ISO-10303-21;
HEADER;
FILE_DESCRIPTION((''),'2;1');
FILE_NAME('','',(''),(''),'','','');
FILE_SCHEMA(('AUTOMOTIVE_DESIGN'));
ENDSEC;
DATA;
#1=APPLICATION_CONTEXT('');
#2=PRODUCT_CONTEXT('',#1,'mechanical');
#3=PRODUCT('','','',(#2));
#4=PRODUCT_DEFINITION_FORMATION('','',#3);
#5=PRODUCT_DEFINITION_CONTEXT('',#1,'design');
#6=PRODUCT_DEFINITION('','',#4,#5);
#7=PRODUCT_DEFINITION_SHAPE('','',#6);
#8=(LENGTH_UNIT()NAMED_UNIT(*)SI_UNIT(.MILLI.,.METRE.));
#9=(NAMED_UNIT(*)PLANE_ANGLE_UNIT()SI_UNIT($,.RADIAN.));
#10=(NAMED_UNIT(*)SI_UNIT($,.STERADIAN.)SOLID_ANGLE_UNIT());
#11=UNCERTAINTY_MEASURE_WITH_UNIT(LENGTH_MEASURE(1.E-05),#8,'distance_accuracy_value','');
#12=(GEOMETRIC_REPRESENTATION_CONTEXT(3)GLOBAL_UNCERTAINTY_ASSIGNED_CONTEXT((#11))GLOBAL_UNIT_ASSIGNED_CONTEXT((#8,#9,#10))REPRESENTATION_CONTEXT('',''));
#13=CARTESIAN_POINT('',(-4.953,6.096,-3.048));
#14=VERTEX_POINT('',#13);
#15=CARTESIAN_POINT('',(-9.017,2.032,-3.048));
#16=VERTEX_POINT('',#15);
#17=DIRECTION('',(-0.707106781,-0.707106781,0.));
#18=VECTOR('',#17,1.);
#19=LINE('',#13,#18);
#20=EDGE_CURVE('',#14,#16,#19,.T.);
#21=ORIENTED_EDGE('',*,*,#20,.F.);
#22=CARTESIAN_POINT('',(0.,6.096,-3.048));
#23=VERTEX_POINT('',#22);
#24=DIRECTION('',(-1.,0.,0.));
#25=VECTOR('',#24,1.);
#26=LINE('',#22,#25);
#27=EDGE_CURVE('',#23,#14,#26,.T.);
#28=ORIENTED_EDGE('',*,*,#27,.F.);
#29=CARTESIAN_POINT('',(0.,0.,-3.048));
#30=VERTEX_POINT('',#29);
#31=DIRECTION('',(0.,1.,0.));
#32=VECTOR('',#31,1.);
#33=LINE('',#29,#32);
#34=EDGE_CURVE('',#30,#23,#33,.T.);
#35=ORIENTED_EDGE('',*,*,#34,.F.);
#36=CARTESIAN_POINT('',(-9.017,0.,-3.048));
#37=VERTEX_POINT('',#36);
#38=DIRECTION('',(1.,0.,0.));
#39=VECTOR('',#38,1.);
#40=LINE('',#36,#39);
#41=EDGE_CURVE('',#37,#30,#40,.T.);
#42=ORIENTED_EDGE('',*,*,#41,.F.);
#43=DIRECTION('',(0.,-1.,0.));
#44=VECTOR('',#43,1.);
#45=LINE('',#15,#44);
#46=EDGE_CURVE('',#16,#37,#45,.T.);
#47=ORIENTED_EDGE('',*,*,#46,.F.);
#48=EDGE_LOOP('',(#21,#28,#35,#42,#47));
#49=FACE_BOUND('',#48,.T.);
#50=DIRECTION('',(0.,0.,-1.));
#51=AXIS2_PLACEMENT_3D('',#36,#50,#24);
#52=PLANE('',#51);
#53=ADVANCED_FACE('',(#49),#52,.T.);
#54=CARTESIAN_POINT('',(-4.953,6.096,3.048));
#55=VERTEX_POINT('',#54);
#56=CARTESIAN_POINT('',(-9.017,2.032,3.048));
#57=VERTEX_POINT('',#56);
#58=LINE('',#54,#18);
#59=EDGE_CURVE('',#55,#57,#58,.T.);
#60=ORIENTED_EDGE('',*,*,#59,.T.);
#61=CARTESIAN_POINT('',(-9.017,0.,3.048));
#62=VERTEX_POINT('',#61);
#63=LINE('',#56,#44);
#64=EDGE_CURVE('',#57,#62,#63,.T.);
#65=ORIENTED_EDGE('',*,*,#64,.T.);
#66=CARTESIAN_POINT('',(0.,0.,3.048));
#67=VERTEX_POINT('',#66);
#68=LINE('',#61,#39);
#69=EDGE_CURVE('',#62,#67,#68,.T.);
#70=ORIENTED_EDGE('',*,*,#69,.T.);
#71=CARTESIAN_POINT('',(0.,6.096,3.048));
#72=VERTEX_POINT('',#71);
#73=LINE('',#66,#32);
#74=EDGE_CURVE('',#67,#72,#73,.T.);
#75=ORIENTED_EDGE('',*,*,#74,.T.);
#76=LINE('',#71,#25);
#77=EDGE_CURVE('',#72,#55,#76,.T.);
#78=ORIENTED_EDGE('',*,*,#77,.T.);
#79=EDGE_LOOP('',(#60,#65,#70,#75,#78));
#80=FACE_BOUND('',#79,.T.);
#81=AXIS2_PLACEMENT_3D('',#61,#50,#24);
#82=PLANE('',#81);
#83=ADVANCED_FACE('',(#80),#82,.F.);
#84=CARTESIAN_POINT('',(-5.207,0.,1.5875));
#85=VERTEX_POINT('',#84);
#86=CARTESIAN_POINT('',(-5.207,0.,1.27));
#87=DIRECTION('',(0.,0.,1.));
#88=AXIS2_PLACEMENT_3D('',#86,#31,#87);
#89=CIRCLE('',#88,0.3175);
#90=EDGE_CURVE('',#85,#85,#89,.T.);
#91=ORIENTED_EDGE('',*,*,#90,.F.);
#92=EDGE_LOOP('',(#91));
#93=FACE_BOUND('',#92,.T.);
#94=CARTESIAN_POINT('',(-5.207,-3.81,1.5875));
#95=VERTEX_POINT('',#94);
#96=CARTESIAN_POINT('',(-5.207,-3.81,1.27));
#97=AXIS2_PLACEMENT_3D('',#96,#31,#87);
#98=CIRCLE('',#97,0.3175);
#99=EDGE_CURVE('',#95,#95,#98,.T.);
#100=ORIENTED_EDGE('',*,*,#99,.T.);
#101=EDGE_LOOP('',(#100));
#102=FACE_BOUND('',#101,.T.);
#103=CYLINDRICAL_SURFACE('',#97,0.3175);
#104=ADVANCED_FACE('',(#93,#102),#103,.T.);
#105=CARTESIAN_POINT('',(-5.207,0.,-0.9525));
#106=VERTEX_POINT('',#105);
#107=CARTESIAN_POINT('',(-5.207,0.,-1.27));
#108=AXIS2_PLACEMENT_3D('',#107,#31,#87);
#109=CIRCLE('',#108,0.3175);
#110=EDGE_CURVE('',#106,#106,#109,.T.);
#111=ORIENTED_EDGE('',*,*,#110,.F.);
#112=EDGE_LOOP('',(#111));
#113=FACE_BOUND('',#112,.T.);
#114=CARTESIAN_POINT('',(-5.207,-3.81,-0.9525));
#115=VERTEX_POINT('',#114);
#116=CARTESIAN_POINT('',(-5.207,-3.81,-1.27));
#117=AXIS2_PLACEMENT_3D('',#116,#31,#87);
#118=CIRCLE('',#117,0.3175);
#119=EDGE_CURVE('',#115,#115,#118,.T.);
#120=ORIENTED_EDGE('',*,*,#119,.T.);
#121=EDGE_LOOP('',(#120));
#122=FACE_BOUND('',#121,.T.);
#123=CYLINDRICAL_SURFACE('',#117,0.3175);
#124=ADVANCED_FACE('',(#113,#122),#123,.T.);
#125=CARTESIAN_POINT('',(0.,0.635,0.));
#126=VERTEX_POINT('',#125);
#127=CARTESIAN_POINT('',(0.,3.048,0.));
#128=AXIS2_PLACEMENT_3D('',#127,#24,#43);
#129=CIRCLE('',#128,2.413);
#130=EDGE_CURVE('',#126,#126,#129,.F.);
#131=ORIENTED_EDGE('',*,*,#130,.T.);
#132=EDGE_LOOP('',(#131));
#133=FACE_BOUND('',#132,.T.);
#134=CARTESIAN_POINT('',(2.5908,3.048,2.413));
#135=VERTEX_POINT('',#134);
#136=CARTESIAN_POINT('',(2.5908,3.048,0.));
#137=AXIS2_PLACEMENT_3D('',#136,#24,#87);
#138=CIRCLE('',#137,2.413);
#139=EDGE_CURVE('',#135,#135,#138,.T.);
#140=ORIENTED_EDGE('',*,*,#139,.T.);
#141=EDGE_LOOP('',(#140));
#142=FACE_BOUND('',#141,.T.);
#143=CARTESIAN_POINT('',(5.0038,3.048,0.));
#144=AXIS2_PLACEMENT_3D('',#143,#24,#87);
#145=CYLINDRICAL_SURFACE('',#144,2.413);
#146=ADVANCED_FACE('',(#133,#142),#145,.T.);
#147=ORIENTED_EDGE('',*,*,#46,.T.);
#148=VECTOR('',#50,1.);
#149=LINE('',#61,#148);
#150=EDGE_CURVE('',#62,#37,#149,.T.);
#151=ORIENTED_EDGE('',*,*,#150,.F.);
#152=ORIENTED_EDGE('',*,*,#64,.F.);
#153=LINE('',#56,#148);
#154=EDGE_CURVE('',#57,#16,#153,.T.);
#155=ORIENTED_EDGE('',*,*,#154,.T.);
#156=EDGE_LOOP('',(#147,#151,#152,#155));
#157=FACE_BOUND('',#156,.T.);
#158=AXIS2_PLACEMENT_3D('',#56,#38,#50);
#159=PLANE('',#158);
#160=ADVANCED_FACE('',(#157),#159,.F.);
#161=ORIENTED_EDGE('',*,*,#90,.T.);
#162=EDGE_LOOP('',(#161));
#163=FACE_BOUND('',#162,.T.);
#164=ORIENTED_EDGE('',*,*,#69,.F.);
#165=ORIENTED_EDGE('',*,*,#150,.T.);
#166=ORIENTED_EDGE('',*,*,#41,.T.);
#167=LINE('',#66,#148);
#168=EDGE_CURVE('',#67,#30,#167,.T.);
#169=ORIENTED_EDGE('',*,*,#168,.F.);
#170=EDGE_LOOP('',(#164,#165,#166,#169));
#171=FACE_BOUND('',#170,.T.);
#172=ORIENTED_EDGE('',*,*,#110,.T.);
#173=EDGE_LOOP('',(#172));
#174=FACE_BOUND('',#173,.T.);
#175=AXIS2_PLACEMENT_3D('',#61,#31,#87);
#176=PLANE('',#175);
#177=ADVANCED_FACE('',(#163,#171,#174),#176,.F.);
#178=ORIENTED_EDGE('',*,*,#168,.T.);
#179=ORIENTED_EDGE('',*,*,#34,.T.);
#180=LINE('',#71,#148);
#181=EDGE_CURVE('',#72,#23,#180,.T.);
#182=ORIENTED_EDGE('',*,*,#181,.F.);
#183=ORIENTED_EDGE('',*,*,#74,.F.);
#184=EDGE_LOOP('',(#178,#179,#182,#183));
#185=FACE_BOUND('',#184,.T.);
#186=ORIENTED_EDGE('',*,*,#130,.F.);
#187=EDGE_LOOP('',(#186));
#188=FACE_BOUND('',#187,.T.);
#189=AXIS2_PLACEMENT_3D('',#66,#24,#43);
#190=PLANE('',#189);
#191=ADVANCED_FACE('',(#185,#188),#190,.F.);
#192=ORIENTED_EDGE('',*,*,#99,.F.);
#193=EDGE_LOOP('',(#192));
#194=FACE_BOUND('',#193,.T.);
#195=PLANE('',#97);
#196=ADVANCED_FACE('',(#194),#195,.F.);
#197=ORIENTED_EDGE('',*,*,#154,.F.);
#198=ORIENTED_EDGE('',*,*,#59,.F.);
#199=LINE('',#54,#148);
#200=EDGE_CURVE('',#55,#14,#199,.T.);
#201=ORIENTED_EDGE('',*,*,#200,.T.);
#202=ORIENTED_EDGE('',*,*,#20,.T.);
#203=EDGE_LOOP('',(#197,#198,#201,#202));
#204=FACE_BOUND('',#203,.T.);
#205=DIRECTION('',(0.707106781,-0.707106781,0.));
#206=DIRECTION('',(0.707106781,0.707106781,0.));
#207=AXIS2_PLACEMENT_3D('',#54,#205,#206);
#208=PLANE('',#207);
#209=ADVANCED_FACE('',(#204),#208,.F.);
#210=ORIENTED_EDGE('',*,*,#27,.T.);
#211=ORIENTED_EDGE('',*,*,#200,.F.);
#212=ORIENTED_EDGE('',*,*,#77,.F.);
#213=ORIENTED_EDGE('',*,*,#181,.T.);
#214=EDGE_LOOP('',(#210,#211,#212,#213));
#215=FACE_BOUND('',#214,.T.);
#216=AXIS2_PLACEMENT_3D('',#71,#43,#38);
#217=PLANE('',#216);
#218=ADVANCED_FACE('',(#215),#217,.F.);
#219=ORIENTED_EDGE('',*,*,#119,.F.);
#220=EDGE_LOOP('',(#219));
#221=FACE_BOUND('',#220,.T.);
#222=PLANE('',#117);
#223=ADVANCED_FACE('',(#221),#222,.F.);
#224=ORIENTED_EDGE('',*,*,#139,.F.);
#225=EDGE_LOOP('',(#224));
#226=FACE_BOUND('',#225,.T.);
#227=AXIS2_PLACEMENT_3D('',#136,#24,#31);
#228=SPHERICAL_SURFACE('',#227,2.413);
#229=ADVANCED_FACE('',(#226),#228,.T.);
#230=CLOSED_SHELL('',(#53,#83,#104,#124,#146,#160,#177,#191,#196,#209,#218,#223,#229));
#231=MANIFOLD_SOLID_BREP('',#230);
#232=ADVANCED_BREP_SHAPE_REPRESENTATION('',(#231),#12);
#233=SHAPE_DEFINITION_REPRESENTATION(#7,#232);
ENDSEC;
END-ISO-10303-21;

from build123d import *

# Parameters (mm, degrees)
EXTRUDE1_DEPTH = 3.048
SKETCH3_R      = 0.3175
EXTRUDE2_DEPTH = 3.81


with BuildPart() as part:
    # Sketch1 → Extrude1 (new, symmetric)
    with BuildSketch(Plane.XY):
        Polygon((0, 0), (0, 6.096), (-4.953, 6.096), (-9.017, 2.032), (-9.017, 0), align=None)
    extrude(amount=EXTRUDE1_DEPTH, both=True)

    # Sketch2 → Revolve1 (revolve)
    with BuildSketch(Plane.XY, mode=Mode.PRIVATE) as revolve1_sk:
        with BuildLine():
            Line((-1.016, 3.048), (5.0038, 3.048))
            ThreePointArc((5.0038, 3.048), (4.297048663, 4.754248663), (2.5908, 5.461))
            Line((2.5908, 5.461), (-1.016, 5.461))
            Line((-1.016, 5.461), (-1.016, 3.048))
        make_face()
    revolve(revolve1_sk.sketch.rotate(Axis((5.0038, 3.048, 0), (1, 0, 0)), 90), axis=Axis((5.0038, 3.048, 0), (1, 0, 0)))

    # Sketch3 → Extrude2 (add)
    with BuildSketch(Plane(origin=(0, 0, 0), x_dir=(1, 0, 0), z_dir=(0, 1, 0))):
        with Locations(Location((-5.207, -1.27, 0), (0, 0, 270))):
            Circle(SKETCH3_R)
        with Locations(Location((-5.207, 1.27, 0), (0, 0, 270))):
            Circle(SKETCH3_R)
    extrude(amount=-EXTRUDE2_DEPTH)


solid = part.part
